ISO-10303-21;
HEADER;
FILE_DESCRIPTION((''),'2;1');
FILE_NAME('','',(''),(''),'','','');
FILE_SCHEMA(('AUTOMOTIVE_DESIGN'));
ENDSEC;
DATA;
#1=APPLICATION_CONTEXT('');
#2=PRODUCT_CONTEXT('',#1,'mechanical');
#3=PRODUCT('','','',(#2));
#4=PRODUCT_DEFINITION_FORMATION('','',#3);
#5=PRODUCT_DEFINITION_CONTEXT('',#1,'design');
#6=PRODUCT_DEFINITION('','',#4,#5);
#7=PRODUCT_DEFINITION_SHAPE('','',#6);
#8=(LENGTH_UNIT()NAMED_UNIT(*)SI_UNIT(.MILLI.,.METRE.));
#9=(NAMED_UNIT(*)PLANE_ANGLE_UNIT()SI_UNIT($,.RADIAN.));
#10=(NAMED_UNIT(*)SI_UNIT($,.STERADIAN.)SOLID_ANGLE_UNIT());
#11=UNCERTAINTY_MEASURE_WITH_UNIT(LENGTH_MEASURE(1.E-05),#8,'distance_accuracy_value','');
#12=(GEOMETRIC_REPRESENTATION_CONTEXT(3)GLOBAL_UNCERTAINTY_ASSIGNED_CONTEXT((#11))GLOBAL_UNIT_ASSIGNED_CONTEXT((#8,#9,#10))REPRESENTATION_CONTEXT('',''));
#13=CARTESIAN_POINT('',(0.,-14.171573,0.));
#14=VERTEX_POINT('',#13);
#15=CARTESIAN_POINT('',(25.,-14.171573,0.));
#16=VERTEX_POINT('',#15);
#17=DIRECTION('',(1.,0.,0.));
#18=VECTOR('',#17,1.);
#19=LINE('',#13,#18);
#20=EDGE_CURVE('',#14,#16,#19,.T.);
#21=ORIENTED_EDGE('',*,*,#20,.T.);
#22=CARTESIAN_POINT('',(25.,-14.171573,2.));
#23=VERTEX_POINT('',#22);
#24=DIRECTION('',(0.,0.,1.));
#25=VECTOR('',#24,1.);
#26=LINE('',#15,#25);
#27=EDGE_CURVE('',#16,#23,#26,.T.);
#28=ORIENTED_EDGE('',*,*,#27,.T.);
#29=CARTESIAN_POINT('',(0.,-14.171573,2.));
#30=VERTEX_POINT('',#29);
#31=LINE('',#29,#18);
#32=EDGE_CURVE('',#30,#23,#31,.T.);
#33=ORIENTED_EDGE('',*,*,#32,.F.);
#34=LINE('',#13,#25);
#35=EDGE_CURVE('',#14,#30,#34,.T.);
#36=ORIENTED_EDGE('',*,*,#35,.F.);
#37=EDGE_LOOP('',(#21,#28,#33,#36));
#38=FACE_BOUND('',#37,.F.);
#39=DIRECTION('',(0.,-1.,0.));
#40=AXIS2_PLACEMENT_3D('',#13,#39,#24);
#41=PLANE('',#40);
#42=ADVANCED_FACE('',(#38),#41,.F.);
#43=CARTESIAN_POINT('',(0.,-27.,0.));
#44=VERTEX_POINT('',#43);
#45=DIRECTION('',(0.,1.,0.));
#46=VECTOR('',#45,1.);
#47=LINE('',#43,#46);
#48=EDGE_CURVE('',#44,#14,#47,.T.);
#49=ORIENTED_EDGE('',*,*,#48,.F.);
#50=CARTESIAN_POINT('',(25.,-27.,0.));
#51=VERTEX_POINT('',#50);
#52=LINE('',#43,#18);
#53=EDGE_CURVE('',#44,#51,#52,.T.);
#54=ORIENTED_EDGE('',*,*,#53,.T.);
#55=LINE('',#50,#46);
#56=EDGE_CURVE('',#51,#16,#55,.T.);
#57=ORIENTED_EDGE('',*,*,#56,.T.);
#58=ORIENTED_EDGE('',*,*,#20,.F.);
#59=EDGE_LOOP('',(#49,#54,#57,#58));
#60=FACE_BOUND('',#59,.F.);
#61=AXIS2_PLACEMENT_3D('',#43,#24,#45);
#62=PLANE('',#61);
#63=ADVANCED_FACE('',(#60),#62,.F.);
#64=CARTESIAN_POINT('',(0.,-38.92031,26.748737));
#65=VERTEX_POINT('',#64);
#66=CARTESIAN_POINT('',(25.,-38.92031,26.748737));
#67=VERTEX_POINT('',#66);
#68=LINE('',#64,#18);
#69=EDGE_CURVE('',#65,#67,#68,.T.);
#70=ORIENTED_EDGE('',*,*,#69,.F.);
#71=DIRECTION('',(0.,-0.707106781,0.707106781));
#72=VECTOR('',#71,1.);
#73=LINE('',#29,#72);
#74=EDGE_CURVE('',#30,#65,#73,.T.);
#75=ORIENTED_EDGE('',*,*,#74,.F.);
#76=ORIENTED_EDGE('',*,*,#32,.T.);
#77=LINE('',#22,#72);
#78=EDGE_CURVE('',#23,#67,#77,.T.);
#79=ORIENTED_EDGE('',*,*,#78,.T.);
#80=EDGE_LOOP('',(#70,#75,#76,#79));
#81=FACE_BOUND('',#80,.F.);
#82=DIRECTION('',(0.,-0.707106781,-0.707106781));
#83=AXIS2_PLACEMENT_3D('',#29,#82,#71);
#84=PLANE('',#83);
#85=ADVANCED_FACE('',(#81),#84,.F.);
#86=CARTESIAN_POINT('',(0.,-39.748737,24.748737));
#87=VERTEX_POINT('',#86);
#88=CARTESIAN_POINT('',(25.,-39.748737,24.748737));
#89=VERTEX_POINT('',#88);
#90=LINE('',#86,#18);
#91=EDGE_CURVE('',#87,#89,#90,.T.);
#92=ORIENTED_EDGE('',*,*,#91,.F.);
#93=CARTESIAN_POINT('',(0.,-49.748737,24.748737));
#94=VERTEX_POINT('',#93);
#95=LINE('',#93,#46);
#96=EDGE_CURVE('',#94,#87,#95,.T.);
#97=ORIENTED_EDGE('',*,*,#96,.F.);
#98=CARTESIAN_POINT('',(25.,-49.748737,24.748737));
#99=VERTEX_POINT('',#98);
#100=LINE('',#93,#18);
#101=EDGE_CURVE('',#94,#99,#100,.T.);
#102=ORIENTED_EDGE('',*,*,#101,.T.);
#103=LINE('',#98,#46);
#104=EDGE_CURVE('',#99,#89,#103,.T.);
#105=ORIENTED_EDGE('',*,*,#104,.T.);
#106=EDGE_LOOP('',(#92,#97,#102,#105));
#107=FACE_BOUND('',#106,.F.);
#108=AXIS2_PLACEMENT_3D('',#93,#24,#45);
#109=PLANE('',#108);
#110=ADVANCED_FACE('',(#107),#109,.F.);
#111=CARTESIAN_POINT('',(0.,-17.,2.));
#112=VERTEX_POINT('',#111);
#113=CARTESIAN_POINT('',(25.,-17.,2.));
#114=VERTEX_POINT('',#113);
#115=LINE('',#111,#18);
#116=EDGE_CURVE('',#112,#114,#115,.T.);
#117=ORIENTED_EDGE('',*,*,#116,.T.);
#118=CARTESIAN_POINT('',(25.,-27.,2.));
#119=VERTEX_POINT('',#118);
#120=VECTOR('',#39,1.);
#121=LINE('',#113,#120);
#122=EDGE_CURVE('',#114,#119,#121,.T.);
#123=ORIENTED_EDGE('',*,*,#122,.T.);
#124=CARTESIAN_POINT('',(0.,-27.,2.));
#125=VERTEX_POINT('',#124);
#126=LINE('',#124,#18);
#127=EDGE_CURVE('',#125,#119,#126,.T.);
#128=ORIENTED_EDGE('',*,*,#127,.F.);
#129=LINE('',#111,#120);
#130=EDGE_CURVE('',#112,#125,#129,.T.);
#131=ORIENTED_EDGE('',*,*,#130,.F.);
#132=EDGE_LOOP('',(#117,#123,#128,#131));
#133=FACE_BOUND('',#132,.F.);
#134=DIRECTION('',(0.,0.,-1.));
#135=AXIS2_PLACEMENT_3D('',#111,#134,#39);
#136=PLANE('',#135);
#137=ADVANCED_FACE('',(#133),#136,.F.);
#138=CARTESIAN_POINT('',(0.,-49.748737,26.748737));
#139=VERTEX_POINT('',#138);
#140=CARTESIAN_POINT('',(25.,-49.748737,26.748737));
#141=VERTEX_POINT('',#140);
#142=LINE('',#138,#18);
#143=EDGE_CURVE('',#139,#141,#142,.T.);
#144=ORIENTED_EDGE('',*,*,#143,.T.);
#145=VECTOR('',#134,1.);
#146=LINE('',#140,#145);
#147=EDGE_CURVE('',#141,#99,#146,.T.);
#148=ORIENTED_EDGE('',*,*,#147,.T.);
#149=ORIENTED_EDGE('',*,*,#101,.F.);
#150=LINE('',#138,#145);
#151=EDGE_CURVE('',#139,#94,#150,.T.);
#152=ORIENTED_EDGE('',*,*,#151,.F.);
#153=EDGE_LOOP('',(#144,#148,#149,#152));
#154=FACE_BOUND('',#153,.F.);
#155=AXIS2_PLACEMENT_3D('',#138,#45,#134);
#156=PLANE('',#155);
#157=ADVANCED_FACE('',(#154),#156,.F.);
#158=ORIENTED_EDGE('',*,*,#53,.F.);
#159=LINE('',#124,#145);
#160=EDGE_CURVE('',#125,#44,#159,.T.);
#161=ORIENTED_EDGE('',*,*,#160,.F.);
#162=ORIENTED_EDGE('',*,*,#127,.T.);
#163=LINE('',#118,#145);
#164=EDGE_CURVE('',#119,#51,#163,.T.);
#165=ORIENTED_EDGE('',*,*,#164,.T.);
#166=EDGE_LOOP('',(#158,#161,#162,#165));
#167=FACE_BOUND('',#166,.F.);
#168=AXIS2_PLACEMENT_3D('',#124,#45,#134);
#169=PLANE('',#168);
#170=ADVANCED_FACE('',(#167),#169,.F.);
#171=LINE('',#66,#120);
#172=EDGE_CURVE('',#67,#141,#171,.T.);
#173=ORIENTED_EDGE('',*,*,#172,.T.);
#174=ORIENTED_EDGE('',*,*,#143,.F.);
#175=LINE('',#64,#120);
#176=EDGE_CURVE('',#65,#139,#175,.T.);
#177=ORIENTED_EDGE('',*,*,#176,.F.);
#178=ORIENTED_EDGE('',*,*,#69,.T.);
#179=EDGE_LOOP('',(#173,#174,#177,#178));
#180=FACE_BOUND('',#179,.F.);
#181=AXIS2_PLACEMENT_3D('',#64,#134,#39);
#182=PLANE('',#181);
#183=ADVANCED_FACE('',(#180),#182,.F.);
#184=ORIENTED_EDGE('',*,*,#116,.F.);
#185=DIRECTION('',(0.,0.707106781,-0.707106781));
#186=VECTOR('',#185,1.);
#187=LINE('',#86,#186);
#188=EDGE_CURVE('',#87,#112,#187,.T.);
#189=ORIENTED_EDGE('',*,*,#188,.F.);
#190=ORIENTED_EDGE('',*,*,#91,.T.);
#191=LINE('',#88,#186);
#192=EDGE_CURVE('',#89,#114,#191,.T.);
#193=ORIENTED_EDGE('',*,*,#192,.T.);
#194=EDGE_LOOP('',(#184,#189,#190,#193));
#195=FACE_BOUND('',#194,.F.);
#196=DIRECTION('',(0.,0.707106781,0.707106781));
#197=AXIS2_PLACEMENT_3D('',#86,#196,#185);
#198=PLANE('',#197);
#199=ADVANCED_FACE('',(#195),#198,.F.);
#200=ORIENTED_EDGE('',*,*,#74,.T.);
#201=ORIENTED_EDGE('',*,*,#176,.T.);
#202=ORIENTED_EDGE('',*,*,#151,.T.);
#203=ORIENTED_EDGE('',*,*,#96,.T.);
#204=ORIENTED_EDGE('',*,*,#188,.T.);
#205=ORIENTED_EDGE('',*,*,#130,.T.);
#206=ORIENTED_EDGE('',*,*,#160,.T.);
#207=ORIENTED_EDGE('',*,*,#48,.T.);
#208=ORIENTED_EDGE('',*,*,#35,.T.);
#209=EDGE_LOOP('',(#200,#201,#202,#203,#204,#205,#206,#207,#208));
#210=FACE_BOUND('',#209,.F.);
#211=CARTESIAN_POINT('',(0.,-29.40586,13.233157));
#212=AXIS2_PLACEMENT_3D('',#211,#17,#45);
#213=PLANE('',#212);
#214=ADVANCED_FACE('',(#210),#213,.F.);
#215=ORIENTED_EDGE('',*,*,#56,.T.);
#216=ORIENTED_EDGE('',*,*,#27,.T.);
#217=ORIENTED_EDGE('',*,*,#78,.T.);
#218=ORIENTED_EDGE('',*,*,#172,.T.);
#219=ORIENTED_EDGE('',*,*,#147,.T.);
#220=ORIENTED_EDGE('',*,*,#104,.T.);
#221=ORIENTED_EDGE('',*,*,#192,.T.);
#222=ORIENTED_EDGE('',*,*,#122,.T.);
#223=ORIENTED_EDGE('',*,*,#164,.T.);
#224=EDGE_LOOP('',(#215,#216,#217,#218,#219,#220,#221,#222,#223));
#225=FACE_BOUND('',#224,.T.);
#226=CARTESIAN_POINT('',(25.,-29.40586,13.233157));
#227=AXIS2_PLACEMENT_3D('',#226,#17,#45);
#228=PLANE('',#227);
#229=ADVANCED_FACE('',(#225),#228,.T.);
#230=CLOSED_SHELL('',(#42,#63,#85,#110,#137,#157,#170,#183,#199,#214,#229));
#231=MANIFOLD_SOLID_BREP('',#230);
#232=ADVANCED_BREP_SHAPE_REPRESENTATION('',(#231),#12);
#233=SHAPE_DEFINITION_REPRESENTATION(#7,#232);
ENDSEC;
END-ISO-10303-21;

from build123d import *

# Parameters (mm, degrees)
F1_DEPTH = 25


with BuildPart() as f1:
    # F0 (on Right) → F1 (new body)
    with BuildSketch(Plane.YZ):
        Polygon((-49.748737, 24.748737), (-39.748737, 24.748737), (-17, 2), (-27, 2), (-27, 0), (-14.171573, 0), (-14.171573, 2), (-38.92031, 26.748737), (-49.748737, 26.748737), align=None)
    extrude(amount=F1_DEPTH)


solid = f1.part
